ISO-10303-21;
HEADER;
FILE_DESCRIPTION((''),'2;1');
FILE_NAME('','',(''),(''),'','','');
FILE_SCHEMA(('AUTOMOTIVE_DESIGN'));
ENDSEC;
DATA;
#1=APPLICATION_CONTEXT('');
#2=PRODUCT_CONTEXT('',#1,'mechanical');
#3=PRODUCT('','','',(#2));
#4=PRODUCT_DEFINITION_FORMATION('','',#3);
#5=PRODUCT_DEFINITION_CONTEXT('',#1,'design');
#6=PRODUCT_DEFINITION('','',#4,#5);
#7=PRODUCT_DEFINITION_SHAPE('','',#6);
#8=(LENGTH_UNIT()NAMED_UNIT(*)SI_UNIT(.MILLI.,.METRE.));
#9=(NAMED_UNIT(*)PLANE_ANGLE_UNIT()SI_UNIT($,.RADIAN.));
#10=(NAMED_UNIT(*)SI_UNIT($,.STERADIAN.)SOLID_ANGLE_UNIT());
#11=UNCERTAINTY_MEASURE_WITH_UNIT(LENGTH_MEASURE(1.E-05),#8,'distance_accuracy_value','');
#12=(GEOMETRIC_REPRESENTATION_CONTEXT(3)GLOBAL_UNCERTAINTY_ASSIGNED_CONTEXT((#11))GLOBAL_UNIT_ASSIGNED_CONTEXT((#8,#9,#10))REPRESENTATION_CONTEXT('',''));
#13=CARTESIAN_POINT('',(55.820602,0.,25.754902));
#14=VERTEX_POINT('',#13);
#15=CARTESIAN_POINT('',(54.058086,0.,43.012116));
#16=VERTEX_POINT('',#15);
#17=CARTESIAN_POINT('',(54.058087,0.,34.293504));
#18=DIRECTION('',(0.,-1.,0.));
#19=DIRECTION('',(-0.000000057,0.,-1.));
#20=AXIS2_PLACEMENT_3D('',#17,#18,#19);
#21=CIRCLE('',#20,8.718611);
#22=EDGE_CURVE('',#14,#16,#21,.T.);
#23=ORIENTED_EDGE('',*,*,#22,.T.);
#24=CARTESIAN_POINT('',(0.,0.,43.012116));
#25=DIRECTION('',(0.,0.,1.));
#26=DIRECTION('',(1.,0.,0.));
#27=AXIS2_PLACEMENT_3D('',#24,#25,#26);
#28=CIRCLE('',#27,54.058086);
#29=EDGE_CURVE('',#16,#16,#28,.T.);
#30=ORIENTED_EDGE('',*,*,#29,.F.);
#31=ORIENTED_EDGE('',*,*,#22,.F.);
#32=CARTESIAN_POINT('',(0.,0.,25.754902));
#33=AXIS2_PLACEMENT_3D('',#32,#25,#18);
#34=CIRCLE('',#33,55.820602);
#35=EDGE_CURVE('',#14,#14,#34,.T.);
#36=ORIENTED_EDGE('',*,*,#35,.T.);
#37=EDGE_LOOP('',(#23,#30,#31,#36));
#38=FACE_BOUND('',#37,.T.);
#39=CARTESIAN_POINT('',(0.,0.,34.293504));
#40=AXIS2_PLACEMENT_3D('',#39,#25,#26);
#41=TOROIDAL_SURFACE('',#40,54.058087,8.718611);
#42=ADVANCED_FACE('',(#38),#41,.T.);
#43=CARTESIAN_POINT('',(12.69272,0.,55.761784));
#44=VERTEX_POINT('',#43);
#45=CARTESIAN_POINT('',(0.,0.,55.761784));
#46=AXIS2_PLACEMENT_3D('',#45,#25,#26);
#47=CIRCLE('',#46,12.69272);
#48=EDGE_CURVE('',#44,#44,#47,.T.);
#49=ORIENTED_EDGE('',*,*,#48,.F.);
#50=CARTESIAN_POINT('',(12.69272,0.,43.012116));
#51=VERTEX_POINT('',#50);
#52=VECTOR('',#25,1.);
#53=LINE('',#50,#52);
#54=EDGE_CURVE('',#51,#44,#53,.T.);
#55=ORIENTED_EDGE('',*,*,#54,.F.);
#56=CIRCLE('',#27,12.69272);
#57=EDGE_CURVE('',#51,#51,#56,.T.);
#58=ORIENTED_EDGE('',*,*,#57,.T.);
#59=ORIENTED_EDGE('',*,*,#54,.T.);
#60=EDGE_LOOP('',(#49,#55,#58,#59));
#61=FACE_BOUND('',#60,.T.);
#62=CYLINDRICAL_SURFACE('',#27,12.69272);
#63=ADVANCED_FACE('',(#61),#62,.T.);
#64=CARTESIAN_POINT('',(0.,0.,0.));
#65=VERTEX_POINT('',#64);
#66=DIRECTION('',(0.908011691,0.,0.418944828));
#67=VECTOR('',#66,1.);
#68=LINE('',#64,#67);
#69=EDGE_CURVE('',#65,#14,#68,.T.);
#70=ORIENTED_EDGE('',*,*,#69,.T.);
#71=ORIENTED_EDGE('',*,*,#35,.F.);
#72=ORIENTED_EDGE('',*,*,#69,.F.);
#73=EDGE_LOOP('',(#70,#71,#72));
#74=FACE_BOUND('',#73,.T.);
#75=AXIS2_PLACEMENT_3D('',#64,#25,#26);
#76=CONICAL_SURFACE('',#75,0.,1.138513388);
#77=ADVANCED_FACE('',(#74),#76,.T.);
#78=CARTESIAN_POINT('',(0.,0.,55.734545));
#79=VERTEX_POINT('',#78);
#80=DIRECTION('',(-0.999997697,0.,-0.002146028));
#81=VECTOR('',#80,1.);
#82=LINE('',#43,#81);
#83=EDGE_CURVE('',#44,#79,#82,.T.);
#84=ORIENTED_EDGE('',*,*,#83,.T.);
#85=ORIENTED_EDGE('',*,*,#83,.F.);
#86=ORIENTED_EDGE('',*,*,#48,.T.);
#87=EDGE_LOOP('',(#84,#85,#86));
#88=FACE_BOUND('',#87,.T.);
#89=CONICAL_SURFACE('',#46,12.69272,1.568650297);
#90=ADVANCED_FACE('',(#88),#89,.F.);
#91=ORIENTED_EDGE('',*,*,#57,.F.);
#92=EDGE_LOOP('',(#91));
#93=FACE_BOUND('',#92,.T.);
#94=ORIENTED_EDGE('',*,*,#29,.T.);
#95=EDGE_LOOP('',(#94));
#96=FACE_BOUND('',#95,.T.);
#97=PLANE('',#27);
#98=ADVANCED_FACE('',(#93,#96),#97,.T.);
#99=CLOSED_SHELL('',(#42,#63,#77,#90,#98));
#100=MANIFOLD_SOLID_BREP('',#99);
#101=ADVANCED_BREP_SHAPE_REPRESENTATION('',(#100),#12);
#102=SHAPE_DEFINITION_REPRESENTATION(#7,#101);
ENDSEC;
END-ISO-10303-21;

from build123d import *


with BuildPart() as f1:
    # F0 (on Front) → F1 (revolve)
    with BuildSketch(Plane.XZ):
        Polygon((0, 55.734545), (0, 43.012116), (12.69272, 43.012116), (12.69272, 55.761784), align=None)
        with BuildLine():
            Line((0, 43.012116), (0, 25.574893))
            Line((0, 25.574893), (54.058086, 25.574893))
            ThreePointArc((54.058086, 25.574893), (62.776698, 34.293504), (54.058086, 43.012116))
            Line((54.058086, 43.012116), (12.69272, 43.012116))
            Line((12.69272, 43.012116), (0, 43.012116))
        make_face()
    revolve(axis=Axis((0, 0, 27.867272), (0, 0, 1)))

    # F2 (on Front) → F3 (revolve)
    with BuildSketch(Plane.XZ):
        Polygon((0, 25.660992), (0, 0), (57.044424, 26.319558), align=None)
    revolve(axis=Axis((0, 0, 12.830496), (0, 0, 1)))


solid = f1.part
